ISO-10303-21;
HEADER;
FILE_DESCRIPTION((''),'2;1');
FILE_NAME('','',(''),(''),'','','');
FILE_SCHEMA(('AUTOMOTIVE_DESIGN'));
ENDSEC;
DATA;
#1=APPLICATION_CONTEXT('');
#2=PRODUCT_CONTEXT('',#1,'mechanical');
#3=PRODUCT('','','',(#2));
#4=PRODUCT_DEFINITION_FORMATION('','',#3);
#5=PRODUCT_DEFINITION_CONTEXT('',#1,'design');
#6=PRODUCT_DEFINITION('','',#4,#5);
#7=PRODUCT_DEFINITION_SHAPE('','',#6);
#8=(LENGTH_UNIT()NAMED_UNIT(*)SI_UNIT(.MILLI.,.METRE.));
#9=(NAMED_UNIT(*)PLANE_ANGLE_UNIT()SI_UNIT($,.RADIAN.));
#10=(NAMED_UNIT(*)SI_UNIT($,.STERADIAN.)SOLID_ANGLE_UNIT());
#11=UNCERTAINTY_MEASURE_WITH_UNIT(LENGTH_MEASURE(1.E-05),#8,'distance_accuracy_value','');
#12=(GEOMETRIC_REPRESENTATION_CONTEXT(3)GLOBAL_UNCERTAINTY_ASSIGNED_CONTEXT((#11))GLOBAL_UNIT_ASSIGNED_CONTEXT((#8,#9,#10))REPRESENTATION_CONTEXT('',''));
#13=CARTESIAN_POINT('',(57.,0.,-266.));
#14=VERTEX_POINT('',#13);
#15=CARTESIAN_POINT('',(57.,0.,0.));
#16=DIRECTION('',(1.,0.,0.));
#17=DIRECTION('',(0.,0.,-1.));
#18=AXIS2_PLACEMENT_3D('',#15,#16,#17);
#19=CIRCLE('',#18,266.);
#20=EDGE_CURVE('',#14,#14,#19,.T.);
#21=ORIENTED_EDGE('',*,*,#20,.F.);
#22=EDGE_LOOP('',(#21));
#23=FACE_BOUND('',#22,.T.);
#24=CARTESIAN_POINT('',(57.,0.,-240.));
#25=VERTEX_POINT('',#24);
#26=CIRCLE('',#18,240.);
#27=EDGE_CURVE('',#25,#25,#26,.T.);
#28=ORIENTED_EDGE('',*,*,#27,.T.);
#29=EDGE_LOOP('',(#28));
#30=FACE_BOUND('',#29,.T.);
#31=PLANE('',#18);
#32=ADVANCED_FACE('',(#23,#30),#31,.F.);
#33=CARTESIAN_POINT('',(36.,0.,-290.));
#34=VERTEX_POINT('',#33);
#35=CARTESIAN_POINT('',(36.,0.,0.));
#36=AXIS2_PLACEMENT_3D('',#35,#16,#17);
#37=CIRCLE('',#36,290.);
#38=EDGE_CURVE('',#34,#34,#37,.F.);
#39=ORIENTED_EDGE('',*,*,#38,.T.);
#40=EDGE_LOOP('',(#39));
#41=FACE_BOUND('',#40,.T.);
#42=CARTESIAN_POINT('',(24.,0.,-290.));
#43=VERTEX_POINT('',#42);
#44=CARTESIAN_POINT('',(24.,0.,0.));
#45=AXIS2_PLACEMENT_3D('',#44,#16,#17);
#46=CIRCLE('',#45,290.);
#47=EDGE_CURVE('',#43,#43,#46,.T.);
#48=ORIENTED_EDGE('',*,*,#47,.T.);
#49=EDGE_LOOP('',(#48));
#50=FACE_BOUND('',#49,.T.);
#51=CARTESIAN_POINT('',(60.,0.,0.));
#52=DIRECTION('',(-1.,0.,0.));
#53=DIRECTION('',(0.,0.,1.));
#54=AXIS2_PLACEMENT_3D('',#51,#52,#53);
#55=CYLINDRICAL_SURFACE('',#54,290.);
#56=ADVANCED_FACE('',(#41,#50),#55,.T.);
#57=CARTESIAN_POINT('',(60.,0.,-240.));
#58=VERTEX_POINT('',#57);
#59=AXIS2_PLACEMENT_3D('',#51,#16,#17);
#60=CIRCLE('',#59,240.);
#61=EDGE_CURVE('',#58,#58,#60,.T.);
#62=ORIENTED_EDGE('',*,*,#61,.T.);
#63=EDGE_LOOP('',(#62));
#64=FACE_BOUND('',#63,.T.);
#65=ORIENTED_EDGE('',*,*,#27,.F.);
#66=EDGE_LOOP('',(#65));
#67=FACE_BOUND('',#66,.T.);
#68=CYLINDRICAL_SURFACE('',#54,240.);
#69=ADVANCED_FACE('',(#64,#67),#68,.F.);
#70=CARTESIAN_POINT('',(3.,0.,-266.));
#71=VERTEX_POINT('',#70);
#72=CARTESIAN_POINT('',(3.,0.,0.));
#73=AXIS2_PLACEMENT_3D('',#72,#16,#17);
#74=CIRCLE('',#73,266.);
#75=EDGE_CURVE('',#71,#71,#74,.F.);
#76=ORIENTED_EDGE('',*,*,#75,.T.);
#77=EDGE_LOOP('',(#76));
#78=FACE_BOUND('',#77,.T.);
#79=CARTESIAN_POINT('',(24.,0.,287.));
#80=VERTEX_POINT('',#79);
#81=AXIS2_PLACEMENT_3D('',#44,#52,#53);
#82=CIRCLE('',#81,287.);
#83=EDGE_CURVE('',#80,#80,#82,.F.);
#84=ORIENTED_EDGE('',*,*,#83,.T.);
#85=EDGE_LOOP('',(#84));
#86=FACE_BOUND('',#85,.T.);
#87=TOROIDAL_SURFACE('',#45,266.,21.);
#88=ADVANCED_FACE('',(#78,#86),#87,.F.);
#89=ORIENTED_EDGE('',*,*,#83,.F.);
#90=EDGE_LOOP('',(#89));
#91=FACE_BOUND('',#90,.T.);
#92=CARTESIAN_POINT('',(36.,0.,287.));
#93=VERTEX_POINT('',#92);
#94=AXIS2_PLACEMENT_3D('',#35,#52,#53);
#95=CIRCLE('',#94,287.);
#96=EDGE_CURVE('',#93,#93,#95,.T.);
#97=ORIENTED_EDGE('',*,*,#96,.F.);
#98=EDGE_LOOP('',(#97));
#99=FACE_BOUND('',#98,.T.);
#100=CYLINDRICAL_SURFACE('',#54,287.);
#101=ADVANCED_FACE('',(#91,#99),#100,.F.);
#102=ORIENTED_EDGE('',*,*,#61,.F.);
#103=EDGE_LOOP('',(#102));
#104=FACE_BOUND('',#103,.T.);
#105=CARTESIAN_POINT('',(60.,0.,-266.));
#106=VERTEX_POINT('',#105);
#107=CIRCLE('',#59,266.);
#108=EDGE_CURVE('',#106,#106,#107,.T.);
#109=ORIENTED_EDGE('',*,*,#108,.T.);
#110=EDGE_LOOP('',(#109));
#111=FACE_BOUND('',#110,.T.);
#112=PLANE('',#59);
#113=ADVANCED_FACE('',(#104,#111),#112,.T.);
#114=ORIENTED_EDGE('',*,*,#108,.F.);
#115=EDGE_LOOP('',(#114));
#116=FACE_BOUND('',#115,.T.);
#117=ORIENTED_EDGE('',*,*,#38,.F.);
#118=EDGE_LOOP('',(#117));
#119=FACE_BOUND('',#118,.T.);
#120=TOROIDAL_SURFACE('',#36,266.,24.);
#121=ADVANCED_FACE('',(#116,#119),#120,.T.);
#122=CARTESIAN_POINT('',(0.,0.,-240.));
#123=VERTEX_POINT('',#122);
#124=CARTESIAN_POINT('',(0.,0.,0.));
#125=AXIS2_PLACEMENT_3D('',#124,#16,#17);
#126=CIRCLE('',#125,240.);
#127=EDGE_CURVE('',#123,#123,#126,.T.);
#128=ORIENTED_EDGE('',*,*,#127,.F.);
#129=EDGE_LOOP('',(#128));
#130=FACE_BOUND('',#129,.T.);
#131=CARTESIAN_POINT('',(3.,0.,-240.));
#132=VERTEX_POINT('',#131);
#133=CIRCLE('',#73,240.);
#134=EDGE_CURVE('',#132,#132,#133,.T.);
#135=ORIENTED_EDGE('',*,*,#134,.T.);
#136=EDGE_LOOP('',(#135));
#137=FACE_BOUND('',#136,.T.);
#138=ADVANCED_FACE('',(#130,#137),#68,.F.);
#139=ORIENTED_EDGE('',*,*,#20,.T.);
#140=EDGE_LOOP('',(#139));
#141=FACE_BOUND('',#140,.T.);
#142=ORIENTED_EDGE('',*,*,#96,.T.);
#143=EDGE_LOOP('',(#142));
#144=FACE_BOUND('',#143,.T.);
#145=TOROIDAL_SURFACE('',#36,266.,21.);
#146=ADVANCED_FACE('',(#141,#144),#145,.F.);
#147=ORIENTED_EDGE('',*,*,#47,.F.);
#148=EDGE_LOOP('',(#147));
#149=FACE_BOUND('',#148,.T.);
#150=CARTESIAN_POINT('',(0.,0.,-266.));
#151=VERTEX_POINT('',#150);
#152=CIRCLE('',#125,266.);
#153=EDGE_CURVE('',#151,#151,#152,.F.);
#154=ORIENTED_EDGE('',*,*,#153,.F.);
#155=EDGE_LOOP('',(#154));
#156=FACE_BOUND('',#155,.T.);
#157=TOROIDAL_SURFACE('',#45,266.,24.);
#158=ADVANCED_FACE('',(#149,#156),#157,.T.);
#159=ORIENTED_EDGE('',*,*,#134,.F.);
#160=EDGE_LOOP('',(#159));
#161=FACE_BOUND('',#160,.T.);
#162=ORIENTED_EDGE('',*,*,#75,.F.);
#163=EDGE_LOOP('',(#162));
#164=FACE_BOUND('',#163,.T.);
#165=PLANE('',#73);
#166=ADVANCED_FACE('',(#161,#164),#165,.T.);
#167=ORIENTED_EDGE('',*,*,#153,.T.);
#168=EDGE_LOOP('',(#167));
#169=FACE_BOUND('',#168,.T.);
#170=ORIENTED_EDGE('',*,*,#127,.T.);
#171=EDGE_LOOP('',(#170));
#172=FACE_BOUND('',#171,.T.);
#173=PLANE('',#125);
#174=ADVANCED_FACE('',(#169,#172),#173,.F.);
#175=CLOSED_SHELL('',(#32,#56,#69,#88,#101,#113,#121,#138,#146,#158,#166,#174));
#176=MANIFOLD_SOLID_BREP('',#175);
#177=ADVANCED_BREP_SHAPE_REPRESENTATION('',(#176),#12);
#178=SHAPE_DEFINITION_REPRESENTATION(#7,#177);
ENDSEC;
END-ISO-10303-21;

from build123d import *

# Parameters (mm, degrees)
SKETCH3_R           = 290
SKETCH3_R_2         = 240
BOSS_EXTRUDE1_DEPTH = 60
FILLET1_R           = 24
SHELL1_T            = -3


with BuildPart() as part:
    # Sketch3 → Boss-Extrude1 (new body)
    with BuildSketch(Plane(origin=(0, 0, 0), x_dir=(0, 0, -1), z_dir=(1, 0, 0))):
        Circle(SKETCH3_R)
        Circle(SKETCH3_R_2, mode=Mode.SUBTRACT)
    extrude(amount=BOSS_EXTRUDE1_DEPTH)

    # Fillet1
    fillet1_edges = [part.edges().sort_by_distance(p)[0] for p in [
        (0, 0, 290),
        (60, 0, 290),
    ]]
    fillet(fillet1_edges, radius=FILLET1_R)

    # Shell1
    shell1_openings = [part.faces().sort_by_distance(p)[0] for p in [
        (30, 0, 240),
    ]]
    offset(amount=SHELL1_T, openings=shell1_openings, kind=Kind.INTERSECTION)


solid = part.part
